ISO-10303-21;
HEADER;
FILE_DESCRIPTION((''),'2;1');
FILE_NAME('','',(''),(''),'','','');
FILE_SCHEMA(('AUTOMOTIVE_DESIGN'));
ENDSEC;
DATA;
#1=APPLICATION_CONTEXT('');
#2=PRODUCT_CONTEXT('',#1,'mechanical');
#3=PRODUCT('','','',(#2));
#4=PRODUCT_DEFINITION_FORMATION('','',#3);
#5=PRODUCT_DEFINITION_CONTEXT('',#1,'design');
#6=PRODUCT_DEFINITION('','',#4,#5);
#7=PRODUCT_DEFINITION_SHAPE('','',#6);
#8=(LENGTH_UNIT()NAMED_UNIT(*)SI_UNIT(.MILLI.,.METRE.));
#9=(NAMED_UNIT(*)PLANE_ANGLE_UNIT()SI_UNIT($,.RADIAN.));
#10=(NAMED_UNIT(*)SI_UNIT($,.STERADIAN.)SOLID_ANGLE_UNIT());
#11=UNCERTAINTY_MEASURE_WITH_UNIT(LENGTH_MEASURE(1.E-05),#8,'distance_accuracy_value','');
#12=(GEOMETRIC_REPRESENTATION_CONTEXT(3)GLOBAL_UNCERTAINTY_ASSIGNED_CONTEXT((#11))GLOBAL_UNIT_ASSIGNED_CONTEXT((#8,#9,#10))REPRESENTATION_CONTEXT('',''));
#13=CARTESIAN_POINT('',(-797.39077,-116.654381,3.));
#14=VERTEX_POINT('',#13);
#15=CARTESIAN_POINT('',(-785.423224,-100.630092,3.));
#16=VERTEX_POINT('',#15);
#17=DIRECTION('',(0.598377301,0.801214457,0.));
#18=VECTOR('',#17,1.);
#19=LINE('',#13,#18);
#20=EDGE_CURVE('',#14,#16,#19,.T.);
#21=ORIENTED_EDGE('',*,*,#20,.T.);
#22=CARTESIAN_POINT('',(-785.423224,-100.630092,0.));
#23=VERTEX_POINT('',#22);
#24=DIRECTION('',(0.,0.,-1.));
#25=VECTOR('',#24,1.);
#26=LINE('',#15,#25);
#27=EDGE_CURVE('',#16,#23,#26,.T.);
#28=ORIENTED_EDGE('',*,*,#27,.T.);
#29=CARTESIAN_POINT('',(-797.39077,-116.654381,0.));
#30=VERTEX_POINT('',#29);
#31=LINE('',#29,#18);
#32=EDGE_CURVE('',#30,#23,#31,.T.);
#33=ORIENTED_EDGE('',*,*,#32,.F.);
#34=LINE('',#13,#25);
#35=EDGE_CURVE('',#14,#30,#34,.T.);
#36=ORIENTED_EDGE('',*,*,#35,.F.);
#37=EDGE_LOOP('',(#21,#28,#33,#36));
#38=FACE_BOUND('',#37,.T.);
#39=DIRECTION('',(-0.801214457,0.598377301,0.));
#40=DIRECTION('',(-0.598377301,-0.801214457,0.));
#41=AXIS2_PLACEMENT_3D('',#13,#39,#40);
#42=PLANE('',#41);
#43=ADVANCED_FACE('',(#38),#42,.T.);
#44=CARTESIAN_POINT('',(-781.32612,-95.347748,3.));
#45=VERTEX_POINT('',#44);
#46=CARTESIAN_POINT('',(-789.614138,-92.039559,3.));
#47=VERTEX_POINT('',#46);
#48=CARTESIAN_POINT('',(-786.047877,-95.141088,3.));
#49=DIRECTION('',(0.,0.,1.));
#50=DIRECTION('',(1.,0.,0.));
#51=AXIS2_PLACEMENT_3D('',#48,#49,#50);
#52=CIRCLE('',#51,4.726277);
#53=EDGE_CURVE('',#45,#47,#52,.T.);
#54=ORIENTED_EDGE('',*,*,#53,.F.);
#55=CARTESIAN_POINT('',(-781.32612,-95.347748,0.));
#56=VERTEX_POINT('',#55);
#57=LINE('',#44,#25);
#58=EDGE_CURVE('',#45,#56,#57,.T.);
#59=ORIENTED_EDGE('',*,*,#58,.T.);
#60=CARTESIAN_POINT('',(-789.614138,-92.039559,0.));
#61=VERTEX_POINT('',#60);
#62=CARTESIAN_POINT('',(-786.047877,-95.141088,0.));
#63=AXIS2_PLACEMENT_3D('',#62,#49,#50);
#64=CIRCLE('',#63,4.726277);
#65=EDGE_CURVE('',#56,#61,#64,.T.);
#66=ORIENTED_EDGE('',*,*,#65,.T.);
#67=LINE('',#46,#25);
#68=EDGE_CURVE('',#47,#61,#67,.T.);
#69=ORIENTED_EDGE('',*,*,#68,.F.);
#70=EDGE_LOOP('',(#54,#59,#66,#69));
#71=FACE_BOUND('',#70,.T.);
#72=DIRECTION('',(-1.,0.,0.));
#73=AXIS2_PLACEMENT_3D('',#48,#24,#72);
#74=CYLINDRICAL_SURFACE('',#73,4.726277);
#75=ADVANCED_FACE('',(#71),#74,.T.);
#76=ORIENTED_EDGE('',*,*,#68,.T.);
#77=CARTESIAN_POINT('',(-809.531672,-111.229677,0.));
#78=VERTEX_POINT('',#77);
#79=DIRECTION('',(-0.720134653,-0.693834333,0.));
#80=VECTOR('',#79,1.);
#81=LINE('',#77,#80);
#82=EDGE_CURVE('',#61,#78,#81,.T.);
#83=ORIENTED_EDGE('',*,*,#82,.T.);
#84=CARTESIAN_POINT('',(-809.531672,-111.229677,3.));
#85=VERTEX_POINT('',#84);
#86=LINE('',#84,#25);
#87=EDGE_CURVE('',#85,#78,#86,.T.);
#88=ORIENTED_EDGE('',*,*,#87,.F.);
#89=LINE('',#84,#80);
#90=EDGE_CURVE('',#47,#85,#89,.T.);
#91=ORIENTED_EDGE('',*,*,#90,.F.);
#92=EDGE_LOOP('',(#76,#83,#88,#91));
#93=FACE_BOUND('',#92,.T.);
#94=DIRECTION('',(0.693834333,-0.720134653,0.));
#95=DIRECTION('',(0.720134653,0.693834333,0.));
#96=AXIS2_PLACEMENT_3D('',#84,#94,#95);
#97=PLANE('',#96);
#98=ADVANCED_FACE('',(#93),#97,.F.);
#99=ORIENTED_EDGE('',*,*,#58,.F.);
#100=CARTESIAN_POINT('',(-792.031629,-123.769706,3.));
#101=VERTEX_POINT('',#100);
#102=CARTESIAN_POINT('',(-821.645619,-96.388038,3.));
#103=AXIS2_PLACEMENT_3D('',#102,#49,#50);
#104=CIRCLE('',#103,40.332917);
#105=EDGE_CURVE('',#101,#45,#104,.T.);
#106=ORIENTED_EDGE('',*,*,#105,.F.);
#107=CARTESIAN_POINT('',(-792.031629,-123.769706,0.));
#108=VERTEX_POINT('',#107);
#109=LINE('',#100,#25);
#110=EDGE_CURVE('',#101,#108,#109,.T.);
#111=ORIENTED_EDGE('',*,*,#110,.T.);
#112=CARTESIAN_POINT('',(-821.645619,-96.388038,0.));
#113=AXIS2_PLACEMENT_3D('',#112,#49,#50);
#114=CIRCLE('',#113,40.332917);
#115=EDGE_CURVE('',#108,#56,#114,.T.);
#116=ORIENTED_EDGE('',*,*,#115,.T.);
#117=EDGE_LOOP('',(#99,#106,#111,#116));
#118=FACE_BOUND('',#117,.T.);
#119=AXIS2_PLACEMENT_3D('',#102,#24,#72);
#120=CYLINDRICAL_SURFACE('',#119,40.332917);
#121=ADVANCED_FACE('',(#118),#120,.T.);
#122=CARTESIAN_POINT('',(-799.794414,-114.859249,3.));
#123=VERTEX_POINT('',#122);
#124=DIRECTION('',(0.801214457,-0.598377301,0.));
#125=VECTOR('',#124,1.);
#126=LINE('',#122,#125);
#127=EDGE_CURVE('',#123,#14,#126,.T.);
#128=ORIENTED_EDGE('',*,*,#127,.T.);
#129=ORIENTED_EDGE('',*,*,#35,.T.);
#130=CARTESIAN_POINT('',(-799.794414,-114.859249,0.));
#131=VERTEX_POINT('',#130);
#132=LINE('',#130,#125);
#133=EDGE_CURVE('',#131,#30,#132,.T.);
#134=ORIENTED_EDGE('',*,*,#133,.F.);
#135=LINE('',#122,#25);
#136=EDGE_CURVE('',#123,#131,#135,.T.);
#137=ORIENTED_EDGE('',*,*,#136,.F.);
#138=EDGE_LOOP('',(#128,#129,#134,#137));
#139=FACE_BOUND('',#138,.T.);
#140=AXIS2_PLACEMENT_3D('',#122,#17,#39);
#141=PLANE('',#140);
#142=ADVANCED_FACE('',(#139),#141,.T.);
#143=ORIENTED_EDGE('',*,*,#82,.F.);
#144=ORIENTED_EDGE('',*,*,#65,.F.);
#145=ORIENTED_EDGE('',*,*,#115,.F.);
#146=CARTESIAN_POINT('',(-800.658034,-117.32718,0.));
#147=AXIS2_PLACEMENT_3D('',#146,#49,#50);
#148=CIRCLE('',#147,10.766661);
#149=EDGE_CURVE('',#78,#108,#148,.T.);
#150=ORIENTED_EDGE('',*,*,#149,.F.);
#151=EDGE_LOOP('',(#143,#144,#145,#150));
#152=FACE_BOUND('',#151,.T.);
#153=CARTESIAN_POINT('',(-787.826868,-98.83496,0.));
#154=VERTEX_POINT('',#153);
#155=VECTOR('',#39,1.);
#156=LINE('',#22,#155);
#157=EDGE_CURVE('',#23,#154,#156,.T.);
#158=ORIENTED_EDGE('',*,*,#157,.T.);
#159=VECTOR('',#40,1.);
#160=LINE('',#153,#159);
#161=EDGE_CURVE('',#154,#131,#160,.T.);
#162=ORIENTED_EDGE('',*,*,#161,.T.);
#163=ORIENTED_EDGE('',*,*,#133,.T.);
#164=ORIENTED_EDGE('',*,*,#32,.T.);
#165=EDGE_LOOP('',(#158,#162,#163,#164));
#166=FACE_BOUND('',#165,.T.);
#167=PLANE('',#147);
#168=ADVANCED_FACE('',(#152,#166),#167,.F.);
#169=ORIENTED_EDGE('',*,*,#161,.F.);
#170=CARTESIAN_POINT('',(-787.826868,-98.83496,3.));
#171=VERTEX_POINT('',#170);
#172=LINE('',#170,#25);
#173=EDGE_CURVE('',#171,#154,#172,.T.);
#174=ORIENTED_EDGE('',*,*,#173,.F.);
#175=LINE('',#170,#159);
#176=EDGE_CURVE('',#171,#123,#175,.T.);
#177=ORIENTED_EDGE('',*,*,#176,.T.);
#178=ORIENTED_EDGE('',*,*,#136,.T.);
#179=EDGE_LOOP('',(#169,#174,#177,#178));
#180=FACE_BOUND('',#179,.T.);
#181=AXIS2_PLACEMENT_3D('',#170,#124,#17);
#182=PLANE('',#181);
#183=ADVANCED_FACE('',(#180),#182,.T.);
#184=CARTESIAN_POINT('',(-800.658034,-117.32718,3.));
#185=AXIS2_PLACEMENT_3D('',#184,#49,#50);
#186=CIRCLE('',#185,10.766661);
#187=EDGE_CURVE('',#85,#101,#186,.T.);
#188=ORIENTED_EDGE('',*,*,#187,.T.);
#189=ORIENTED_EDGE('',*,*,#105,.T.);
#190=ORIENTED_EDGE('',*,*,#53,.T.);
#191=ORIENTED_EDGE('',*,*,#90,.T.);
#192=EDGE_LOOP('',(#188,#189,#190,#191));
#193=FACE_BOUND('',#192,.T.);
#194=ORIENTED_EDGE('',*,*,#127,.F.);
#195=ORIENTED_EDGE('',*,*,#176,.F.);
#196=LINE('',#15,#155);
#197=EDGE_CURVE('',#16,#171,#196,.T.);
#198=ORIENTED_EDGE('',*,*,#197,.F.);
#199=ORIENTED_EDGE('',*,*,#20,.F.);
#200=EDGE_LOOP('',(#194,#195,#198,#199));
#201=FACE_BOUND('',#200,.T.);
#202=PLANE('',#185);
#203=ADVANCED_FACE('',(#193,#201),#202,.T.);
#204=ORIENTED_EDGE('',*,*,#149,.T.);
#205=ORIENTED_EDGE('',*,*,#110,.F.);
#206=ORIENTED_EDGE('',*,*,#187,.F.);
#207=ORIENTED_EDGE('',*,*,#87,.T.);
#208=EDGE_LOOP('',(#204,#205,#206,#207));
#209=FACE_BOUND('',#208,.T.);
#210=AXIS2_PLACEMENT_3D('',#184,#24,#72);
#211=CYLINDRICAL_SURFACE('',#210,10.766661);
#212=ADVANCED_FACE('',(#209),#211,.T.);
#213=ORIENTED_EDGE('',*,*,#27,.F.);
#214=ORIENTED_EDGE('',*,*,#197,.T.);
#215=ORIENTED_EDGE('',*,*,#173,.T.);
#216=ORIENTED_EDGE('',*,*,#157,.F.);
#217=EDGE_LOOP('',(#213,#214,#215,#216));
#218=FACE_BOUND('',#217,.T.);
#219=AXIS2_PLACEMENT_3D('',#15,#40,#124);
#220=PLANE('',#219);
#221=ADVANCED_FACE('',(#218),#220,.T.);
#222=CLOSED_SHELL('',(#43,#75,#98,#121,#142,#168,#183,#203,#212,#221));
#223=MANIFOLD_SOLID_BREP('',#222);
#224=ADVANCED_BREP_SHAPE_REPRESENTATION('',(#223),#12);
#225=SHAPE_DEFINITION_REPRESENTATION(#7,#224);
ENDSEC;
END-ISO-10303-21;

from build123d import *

# Parameters (mm, degrees)
BASE_EXTRUDE_DEPTH = 3


with BuildPart() as part:
    # Sketch1 → Base-Extrude (new body)
    with BuildSketch(Plane.XY):
        with BuildLine():
            Line((-809.531671811, -111.229676779), (-789.61413801, -92.039559057))
            ThreePointArc((-789.61413801, -92.039559057), (-784.29578657, -90.751569276), (-781.326120484, -95.347748455))
            ThreePointArc((-781.326120484, -95.347748455), (-783.901412566, -110.604895358), (-792.031629072, -123.769706047))
            ThreePointArc((-792.031629072, -123.769706047), (-806.92926697, -126.078902011), (-809.531671811, -111.229676779))
        make_face()
        Polygon((-797.390770347, -116.654380858), (-785.42322433, -100.630091722), (-787.826867701, -98.834959819), (-799.794413717, -114.859248956), align=None, mode=Mode.SUBTRACT)
    extrude(amount=BASE_EXTRUDE_DEPTH)


solid = part.part
